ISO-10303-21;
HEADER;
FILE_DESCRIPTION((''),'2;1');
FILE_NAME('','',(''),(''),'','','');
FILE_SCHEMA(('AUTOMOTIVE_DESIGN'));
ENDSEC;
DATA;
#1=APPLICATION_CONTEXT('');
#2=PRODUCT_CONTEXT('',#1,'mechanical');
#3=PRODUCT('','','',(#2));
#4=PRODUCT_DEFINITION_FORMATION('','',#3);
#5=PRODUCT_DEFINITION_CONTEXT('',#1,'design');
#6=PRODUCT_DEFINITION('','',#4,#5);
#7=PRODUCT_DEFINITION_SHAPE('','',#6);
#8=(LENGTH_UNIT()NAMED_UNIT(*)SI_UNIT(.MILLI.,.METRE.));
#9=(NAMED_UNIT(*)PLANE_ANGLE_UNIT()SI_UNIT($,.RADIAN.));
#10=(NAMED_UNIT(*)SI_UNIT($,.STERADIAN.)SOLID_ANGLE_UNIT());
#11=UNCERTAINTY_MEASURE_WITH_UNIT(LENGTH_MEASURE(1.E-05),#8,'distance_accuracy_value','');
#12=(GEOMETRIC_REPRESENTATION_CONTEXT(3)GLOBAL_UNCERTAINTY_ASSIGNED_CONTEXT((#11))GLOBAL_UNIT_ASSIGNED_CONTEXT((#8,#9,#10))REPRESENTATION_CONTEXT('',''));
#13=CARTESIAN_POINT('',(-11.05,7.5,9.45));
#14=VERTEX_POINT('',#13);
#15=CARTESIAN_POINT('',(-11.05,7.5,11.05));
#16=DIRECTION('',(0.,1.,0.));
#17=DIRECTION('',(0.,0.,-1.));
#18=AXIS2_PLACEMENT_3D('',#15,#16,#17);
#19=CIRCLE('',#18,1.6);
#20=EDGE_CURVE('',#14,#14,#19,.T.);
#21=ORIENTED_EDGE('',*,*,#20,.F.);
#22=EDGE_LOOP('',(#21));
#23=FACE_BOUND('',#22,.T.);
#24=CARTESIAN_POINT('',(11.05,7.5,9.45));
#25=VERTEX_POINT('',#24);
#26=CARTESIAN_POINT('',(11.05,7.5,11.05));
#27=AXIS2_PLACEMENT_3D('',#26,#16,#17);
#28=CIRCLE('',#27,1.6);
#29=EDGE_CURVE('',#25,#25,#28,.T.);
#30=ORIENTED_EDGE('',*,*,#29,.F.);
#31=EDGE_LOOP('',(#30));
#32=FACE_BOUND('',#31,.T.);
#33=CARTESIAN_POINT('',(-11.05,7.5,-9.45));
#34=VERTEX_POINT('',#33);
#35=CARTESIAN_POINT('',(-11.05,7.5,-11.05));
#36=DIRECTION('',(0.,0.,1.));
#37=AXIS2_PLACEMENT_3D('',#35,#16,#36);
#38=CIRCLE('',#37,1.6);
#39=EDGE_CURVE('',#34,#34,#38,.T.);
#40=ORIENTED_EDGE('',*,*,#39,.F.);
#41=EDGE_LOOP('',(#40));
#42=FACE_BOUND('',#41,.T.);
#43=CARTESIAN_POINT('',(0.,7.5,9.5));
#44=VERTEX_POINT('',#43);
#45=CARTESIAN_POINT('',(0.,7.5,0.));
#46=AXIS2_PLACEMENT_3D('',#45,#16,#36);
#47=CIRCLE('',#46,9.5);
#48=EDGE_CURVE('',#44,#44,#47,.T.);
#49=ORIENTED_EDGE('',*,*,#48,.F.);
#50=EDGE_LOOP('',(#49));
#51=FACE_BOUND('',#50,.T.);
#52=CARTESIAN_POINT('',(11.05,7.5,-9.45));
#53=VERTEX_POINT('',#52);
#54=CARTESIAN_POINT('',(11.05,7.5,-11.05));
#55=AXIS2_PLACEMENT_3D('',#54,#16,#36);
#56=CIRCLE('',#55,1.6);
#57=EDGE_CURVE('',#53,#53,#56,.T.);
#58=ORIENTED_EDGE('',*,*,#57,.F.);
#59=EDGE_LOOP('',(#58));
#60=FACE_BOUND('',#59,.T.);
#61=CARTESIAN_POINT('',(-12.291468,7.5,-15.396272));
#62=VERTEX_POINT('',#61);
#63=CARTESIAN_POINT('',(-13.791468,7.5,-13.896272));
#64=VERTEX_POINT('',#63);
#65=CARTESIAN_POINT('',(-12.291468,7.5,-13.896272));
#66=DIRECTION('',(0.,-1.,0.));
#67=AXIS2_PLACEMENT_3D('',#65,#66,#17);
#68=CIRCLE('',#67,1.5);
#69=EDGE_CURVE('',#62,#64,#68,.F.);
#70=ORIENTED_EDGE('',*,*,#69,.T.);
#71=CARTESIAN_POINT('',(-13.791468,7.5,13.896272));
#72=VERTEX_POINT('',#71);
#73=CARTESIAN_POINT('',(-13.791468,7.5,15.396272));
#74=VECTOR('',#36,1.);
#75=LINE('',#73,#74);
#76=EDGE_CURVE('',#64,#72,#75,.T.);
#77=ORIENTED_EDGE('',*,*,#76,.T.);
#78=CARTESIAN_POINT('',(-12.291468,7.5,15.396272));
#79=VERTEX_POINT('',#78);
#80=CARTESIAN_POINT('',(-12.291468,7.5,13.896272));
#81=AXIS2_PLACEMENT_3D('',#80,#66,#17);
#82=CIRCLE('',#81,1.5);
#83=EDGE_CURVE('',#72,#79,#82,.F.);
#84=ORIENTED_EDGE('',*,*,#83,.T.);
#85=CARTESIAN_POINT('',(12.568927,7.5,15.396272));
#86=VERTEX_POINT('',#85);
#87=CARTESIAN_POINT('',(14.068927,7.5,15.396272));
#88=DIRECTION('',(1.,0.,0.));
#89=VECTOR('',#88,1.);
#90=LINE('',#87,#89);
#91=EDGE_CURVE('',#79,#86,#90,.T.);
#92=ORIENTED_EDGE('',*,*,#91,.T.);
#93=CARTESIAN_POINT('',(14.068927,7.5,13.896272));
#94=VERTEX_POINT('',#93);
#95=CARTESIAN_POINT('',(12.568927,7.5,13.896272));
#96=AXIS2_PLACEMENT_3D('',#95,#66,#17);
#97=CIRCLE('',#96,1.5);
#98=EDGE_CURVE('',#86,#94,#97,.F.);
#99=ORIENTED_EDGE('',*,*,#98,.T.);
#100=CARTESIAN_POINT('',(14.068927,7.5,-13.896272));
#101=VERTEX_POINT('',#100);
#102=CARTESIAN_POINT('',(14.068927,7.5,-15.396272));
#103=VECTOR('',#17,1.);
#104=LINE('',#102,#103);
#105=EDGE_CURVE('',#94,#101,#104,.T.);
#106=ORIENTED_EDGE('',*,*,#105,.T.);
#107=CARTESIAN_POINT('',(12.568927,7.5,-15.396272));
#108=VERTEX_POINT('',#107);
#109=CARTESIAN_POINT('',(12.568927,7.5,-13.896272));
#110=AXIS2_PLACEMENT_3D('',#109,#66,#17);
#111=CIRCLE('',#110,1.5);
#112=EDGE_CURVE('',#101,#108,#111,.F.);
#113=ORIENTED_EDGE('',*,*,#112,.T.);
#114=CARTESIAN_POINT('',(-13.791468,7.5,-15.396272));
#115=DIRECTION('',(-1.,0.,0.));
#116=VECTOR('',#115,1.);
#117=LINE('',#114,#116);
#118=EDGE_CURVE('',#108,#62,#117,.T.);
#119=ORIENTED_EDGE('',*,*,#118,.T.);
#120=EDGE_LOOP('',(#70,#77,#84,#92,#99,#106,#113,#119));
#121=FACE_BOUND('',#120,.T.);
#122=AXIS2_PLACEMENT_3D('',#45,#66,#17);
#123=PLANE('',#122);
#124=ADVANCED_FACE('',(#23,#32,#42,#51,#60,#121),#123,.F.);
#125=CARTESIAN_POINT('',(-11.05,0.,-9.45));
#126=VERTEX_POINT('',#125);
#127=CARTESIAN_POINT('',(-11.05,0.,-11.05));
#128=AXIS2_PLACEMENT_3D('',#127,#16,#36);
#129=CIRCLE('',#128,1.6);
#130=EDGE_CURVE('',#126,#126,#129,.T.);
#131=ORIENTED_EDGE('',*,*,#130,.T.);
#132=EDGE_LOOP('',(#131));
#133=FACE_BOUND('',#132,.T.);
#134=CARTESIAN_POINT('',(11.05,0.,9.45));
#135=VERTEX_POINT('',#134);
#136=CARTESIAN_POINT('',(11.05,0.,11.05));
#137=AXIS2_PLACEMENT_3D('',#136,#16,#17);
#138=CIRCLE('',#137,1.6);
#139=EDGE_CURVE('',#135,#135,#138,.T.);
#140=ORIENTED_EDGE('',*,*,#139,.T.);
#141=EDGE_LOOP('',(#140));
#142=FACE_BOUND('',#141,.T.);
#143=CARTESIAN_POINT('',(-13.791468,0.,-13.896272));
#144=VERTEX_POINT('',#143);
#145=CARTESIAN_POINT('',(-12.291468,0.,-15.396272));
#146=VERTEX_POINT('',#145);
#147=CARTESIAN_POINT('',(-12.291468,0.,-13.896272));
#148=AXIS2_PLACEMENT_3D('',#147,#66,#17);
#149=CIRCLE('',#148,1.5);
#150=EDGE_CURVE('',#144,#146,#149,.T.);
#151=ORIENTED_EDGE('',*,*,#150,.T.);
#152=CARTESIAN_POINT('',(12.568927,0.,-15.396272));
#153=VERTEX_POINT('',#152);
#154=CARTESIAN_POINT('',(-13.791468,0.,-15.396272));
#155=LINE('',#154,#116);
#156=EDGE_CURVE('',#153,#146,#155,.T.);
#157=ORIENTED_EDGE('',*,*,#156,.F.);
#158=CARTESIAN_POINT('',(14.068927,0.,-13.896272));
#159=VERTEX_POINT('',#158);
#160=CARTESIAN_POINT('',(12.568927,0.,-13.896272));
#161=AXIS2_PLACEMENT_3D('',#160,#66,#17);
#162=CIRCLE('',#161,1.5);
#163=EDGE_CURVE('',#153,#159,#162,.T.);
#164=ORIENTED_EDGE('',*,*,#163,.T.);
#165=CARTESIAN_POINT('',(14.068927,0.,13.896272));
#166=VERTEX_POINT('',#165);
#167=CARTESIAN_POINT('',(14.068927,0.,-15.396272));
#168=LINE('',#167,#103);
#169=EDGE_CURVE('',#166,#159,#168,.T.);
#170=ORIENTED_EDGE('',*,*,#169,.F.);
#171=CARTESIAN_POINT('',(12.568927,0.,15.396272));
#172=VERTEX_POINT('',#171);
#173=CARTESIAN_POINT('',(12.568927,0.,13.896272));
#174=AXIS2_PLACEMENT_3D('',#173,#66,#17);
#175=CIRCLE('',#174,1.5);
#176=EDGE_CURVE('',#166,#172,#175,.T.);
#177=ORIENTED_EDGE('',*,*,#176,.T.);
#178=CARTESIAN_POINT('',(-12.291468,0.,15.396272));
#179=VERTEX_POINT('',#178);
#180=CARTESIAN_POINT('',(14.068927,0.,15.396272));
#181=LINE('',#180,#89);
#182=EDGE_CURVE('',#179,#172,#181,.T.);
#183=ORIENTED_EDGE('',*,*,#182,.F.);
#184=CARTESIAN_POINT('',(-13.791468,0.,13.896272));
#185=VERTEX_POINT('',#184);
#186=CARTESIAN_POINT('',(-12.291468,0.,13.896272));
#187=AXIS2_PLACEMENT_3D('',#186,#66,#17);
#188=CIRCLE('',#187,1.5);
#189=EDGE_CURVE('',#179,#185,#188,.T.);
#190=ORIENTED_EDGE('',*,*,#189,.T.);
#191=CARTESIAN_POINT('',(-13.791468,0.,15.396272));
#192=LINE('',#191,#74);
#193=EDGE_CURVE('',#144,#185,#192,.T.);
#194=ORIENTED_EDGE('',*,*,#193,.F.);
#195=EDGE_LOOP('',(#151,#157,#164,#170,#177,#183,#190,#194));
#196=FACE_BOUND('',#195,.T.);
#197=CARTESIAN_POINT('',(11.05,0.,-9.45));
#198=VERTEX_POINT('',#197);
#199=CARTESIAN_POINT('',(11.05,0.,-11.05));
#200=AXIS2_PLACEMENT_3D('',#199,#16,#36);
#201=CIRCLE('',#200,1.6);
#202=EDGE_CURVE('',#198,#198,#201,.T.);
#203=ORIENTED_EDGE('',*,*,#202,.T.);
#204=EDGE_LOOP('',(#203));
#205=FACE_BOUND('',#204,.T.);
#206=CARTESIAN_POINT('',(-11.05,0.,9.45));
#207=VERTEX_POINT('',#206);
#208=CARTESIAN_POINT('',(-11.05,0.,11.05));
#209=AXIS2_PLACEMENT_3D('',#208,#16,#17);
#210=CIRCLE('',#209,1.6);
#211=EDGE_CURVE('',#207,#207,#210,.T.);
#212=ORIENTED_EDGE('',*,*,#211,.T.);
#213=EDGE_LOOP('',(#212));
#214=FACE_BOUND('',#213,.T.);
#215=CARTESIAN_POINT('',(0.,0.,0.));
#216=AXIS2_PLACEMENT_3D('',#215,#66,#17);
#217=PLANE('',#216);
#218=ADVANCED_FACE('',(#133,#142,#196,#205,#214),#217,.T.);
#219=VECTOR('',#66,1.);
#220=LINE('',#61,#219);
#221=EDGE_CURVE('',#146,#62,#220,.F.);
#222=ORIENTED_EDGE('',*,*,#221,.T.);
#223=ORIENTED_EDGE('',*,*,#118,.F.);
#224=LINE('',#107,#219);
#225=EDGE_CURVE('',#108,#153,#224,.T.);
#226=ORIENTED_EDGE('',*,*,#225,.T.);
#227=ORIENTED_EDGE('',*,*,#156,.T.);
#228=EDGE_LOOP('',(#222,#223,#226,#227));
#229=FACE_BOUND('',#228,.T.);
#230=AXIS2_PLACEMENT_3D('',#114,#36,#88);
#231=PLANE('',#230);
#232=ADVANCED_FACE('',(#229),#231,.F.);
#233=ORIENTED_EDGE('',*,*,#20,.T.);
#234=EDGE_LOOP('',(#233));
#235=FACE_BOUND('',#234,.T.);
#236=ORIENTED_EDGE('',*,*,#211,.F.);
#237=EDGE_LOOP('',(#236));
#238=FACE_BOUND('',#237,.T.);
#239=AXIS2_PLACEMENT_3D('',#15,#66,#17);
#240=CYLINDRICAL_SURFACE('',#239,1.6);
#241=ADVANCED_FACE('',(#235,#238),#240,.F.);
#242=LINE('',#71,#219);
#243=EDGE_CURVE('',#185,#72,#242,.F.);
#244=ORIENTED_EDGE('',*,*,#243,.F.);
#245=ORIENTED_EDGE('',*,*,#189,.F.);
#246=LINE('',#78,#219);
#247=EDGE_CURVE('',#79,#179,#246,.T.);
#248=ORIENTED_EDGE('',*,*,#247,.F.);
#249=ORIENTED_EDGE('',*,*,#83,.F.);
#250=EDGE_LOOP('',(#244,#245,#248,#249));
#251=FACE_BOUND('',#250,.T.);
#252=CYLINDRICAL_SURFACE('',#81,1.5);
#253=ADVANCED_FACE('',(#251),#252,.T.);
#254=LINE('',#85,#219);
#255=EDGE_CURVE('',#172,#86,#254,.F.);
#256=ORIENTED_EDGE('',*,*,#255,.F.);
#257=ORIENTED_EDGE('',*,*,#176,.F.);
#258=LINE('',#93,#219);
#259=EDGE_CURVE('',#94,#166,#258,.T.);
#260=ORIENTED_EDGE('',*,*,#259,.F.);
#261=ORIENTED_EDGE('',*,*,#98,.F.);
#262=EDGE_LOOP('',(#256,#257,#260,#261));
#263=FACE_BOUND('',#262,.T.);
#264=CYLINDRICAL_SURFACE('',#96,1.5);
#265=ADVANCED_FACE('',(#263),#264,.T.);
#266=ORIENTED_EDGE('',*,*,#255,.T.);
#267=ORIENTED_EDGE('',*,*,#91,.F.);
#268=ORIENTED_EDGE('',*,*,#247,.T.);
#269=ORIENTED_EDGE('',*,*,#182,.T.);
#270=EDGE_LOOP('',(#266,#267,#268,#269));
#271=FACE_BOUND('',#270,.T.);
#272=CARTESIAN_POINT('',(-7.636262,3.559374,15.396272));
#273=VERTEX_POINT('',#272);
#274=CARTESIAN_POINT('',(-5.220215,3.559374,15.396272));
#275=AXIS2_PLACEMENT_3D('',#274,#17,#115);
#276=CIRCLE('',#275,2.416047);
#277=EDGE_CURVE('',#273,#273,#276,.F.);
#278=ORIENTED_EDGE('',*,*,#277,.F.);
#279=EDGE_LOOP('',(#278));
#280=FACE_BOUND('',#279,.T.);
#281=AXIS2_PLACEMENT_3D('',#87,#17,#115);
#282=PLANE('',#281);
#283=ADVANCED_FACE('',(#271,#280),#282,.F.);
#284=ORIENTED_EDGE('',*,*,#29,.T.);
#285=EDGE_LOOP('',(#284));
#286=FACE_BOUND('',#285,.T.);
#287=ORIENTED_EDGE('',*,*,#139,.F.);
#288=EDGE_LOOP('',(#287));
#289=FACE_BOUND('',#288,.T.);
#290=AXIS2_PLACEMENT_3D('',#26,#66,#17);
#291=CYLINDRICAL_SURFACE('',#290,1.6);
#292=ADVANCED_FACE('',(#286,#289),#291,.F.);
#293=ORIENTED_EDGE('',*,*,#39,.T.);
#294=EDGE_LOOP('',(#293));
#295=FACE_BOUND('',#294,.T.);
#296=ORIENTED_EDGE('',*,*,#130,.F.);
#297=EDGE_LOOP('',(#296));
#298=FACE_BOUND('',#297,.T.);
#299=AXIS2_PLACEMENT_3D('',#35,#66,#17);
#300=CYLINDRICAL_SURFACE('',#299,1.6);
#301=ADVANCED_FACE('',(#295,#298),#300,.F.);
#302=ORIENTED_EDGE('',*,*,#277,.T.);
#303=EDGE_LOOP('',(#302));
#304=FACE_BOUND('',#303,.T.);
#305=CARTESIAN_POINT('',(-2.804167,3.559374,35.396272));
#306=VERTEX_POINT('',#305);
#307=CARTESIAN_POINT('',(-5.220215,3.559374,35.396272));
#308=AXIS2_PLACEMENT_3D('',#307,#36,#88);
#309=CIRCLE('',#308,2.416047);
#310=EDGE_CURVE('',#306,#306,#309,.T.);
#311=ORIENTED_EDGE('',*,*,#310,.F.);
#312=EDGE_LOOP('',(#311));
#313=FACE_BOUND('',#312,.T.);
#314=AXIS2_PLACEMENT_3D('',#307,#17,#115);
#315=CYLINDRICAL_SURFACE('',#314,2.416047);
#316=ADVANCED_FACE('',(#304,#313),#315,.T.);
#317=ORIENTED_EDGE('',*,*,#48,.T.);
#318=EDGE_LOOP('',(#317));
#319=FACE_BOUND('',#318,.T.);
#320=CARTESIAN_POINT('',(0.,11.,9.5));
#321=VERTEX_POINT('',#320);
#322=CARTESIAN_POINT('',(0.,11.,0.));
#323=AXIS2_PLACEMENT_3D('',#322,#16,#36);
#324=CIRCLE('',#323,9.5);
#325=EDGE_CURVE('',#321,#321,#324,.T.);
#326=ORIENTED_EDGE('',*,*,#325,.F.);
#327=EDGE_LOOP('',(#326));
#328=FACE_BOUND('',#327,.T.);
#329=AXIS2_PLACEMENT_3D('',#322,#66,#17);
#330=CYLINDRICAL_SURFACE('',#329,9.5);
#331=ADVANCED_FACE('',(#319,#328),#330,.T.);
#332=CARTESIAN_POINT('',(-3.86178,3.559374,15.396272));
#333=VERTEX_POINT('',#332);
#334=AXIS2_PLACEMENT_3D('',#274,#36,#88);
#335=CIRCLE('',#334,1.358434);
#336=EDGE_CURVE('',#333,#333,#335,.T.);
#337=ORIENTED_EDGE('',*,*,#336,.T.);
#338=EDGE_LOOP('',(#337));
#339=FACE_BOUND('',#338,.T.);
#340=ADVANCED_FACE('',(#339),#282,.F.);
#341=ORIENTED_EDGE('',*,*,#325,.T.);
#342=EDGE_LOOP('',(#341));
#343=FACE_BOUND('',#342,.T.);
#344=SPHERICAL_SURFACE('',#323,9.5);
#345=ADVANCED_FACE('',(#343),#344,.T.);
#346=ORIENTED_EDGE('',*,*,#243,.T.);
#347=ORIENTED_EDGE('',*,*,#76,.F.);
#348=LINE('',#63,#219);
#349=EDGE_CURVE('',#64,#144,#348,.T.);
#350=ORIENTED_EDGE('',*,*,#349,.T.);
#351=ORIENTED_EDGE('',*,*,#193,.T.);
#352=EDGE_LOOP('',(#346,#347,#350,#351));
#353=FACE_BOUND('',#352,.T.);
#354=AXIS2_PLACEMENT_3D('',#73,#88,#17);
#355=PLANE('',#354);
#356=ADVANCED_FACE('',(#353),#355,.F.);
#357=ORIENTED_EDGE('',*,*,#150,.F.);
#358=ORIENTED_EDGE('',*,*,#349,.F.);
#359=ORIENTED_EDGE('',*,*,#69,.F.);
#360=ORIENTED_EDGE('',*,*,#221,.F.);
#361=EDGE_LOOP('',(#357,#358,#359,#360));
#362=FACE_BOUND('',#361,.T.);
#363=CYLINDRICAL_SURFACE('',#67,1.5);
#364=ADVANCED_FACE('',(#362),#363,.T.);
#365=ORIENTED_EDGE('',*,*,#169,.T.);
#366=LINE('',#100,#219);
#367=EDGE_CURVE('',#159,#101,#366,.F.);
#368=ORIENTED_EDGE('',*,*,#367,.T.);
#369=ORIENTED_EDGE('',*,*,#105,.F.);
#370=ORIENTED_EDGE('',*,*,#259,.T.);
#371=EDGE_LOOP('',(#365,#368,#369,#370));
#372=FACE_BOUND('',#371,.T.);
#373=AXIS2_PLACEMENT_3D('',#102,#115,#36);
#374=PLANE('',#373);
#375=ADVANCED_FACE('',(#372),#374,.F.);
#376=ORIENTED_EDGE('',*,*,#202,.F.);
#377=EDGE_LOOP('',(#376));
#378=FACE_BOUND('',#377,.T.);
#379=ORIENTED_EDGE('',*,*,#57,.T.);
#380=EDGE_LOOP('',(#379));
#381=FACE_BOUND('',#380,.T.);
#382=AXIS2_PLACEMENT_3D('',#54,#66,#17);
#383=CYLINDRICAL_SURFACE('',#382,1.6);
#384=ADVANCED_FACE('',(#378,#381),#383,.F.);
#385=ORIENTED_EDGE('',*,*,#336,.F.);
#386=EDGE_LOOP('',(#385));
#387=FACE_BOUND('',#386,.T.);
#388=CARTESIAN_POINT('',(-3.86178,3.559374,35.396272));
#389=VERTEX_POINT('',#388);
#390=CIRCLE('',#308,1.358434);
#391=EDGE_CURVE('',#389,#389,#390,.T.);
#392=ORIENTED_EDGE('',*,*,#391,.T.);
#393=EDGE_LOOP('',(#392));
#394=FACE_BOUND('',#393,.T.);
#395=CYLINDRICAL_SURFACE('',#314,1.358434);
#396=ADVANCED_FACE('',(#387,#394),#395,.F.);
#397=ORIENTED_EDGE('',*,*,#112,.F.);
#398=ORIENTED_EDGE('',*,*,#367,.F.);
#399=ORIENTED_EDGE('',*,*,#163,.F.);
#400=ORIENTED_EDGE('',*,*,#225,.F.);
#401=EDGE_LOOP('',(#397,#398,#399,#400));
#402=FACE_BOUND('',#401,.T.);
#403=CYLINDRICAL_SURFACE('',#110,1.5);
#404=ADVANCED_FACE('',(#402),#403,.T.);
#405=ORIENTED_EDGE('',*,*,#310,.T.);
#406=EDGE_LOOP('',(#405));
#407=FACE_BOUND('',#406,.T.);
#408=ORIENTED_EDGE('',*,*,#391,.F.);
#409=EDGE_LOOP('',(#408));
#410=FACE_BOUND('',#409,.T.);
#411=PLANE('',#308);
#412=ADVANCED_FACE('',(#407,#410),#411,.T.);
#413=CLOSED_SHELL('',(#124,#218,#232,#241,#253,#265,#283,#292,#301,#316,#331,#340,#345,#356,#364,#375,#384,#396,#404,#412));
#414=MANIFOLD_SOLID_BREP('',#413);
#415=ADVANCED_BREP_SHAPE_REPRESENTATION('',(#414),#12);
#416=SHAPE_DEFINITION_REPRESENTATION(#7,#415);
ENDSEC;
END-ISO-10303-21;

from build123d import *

# Parameters (mm, degrees)
SKETCH1_W           = 27.860395724
SKETCH1_H           = 30.792543072
SKETCH1_R           = 1.6
BOSS_EXTRUDE1_DEPTH = 7.5
SKETCH2_R           = 9.5
BOSS_EXTRUDE2_DEPTH = 3.5
REVOLVE3_ANGLE      = 180
FILLET1_R           = 1.5
SKETCH4_R           = 2.416047387
SKETCH4_R_2         = 1.358434459
BOSS_EXTRUDE3_DEPTH = 20


with BuildPart() as part:
    # Sketch1 → Boss-Extrude1 (new body)
    with BuildSketch(Plane(origin=(0, 0, 0), x_dir=(1, 0, 0), z_dir=(0, 1, 0))):
        with Locations((0.138729437, 0)):
            Rectangle(SKETCH1_W, SKETCH1_H)
        with Locations(Location((-11.05, 11.05, 0), (0, 0, 270))):
            Circle(SKETCH1_R, mode=Mode.SUBTRACT)
        with Locations(Location((11.05, 11.05, 0), (0, 0, 270))):
            Circle(SKETCH1_R, mode=Mode.SUBTRACT)
        with Locations(Location((-11.05, -11.05, 0), (0, 0, 90))):
            Circle(SKETCH1_R, mode=Mode.SUBTRACT)
        with Locations(Location((11.05, -11.05, 0), (0, 0, 90))):
            Circle(SKETCH1_R, mode=Mode.SUBTRACT)
    extrude(amount=BOSS_EXTRUDE1_DEPTH)

    # Sketch2 → Boss-Extrude2 (add)
    with BuildSketch(Plane(origin=(0, 7.5, 0), x_dir=(1, 0, 0), z_dir=(0, 1, 0))):
        with Locations(Location((0, 0, 0), (0, 0, 270))):
            Circle(SKETCH2_R)
    extrude(amount=BOSS_EXTRUDE2_DEPTH)

    # Sketch3 → Revolve3 (revolve)
    with BuildSketch(Plane(origin=(0, 11, 0), x_dir=(1, 0, 0), z_dir=(0, 1, 0))):
        with BuildLine():
            Line((-9.5, 0), (9.5, 0))
            ThreePointArc((9.5, 0), (0, 9.5), (-9.5, 0))
        make_face()
    revolve(axis=Axis((-9.5, 11, 0), (1, 0, 0)), revolution_arc=REVOLVE3_ANGLE)

    # Fillet1
    fillet1_edges = [part.edges().sort_by_distance(p)[0] for p in [
        (-13.791468425, 3.75, -15.396271536),
        (14.068927299, 3.75, -15.396271536),
        (14.068927299, 3.75, 15.396271536),
        (-13.791468425, 3.75, 15.396271536),
    ]]
    fillet(fillet1_edges, radius=FILLET1_R)

    # Sketch4 → Boss-Extrude3 (add)
    with BuildSketch(Plane.XY.offset(15.396271536)):
        with Locations(Location((-5.220214875, 3.559374136, 0), (0, 0, 180))):
            Circle(SKETCH4_R)
        with Locations((-5.220214875, 3.559374136)):
            Circle(SKETCH4_R_2, mode=Mode.SUBTRACT)
    extrude(amount=BOSS_EXTRUDE3_DEPTH)


solid = part.part
